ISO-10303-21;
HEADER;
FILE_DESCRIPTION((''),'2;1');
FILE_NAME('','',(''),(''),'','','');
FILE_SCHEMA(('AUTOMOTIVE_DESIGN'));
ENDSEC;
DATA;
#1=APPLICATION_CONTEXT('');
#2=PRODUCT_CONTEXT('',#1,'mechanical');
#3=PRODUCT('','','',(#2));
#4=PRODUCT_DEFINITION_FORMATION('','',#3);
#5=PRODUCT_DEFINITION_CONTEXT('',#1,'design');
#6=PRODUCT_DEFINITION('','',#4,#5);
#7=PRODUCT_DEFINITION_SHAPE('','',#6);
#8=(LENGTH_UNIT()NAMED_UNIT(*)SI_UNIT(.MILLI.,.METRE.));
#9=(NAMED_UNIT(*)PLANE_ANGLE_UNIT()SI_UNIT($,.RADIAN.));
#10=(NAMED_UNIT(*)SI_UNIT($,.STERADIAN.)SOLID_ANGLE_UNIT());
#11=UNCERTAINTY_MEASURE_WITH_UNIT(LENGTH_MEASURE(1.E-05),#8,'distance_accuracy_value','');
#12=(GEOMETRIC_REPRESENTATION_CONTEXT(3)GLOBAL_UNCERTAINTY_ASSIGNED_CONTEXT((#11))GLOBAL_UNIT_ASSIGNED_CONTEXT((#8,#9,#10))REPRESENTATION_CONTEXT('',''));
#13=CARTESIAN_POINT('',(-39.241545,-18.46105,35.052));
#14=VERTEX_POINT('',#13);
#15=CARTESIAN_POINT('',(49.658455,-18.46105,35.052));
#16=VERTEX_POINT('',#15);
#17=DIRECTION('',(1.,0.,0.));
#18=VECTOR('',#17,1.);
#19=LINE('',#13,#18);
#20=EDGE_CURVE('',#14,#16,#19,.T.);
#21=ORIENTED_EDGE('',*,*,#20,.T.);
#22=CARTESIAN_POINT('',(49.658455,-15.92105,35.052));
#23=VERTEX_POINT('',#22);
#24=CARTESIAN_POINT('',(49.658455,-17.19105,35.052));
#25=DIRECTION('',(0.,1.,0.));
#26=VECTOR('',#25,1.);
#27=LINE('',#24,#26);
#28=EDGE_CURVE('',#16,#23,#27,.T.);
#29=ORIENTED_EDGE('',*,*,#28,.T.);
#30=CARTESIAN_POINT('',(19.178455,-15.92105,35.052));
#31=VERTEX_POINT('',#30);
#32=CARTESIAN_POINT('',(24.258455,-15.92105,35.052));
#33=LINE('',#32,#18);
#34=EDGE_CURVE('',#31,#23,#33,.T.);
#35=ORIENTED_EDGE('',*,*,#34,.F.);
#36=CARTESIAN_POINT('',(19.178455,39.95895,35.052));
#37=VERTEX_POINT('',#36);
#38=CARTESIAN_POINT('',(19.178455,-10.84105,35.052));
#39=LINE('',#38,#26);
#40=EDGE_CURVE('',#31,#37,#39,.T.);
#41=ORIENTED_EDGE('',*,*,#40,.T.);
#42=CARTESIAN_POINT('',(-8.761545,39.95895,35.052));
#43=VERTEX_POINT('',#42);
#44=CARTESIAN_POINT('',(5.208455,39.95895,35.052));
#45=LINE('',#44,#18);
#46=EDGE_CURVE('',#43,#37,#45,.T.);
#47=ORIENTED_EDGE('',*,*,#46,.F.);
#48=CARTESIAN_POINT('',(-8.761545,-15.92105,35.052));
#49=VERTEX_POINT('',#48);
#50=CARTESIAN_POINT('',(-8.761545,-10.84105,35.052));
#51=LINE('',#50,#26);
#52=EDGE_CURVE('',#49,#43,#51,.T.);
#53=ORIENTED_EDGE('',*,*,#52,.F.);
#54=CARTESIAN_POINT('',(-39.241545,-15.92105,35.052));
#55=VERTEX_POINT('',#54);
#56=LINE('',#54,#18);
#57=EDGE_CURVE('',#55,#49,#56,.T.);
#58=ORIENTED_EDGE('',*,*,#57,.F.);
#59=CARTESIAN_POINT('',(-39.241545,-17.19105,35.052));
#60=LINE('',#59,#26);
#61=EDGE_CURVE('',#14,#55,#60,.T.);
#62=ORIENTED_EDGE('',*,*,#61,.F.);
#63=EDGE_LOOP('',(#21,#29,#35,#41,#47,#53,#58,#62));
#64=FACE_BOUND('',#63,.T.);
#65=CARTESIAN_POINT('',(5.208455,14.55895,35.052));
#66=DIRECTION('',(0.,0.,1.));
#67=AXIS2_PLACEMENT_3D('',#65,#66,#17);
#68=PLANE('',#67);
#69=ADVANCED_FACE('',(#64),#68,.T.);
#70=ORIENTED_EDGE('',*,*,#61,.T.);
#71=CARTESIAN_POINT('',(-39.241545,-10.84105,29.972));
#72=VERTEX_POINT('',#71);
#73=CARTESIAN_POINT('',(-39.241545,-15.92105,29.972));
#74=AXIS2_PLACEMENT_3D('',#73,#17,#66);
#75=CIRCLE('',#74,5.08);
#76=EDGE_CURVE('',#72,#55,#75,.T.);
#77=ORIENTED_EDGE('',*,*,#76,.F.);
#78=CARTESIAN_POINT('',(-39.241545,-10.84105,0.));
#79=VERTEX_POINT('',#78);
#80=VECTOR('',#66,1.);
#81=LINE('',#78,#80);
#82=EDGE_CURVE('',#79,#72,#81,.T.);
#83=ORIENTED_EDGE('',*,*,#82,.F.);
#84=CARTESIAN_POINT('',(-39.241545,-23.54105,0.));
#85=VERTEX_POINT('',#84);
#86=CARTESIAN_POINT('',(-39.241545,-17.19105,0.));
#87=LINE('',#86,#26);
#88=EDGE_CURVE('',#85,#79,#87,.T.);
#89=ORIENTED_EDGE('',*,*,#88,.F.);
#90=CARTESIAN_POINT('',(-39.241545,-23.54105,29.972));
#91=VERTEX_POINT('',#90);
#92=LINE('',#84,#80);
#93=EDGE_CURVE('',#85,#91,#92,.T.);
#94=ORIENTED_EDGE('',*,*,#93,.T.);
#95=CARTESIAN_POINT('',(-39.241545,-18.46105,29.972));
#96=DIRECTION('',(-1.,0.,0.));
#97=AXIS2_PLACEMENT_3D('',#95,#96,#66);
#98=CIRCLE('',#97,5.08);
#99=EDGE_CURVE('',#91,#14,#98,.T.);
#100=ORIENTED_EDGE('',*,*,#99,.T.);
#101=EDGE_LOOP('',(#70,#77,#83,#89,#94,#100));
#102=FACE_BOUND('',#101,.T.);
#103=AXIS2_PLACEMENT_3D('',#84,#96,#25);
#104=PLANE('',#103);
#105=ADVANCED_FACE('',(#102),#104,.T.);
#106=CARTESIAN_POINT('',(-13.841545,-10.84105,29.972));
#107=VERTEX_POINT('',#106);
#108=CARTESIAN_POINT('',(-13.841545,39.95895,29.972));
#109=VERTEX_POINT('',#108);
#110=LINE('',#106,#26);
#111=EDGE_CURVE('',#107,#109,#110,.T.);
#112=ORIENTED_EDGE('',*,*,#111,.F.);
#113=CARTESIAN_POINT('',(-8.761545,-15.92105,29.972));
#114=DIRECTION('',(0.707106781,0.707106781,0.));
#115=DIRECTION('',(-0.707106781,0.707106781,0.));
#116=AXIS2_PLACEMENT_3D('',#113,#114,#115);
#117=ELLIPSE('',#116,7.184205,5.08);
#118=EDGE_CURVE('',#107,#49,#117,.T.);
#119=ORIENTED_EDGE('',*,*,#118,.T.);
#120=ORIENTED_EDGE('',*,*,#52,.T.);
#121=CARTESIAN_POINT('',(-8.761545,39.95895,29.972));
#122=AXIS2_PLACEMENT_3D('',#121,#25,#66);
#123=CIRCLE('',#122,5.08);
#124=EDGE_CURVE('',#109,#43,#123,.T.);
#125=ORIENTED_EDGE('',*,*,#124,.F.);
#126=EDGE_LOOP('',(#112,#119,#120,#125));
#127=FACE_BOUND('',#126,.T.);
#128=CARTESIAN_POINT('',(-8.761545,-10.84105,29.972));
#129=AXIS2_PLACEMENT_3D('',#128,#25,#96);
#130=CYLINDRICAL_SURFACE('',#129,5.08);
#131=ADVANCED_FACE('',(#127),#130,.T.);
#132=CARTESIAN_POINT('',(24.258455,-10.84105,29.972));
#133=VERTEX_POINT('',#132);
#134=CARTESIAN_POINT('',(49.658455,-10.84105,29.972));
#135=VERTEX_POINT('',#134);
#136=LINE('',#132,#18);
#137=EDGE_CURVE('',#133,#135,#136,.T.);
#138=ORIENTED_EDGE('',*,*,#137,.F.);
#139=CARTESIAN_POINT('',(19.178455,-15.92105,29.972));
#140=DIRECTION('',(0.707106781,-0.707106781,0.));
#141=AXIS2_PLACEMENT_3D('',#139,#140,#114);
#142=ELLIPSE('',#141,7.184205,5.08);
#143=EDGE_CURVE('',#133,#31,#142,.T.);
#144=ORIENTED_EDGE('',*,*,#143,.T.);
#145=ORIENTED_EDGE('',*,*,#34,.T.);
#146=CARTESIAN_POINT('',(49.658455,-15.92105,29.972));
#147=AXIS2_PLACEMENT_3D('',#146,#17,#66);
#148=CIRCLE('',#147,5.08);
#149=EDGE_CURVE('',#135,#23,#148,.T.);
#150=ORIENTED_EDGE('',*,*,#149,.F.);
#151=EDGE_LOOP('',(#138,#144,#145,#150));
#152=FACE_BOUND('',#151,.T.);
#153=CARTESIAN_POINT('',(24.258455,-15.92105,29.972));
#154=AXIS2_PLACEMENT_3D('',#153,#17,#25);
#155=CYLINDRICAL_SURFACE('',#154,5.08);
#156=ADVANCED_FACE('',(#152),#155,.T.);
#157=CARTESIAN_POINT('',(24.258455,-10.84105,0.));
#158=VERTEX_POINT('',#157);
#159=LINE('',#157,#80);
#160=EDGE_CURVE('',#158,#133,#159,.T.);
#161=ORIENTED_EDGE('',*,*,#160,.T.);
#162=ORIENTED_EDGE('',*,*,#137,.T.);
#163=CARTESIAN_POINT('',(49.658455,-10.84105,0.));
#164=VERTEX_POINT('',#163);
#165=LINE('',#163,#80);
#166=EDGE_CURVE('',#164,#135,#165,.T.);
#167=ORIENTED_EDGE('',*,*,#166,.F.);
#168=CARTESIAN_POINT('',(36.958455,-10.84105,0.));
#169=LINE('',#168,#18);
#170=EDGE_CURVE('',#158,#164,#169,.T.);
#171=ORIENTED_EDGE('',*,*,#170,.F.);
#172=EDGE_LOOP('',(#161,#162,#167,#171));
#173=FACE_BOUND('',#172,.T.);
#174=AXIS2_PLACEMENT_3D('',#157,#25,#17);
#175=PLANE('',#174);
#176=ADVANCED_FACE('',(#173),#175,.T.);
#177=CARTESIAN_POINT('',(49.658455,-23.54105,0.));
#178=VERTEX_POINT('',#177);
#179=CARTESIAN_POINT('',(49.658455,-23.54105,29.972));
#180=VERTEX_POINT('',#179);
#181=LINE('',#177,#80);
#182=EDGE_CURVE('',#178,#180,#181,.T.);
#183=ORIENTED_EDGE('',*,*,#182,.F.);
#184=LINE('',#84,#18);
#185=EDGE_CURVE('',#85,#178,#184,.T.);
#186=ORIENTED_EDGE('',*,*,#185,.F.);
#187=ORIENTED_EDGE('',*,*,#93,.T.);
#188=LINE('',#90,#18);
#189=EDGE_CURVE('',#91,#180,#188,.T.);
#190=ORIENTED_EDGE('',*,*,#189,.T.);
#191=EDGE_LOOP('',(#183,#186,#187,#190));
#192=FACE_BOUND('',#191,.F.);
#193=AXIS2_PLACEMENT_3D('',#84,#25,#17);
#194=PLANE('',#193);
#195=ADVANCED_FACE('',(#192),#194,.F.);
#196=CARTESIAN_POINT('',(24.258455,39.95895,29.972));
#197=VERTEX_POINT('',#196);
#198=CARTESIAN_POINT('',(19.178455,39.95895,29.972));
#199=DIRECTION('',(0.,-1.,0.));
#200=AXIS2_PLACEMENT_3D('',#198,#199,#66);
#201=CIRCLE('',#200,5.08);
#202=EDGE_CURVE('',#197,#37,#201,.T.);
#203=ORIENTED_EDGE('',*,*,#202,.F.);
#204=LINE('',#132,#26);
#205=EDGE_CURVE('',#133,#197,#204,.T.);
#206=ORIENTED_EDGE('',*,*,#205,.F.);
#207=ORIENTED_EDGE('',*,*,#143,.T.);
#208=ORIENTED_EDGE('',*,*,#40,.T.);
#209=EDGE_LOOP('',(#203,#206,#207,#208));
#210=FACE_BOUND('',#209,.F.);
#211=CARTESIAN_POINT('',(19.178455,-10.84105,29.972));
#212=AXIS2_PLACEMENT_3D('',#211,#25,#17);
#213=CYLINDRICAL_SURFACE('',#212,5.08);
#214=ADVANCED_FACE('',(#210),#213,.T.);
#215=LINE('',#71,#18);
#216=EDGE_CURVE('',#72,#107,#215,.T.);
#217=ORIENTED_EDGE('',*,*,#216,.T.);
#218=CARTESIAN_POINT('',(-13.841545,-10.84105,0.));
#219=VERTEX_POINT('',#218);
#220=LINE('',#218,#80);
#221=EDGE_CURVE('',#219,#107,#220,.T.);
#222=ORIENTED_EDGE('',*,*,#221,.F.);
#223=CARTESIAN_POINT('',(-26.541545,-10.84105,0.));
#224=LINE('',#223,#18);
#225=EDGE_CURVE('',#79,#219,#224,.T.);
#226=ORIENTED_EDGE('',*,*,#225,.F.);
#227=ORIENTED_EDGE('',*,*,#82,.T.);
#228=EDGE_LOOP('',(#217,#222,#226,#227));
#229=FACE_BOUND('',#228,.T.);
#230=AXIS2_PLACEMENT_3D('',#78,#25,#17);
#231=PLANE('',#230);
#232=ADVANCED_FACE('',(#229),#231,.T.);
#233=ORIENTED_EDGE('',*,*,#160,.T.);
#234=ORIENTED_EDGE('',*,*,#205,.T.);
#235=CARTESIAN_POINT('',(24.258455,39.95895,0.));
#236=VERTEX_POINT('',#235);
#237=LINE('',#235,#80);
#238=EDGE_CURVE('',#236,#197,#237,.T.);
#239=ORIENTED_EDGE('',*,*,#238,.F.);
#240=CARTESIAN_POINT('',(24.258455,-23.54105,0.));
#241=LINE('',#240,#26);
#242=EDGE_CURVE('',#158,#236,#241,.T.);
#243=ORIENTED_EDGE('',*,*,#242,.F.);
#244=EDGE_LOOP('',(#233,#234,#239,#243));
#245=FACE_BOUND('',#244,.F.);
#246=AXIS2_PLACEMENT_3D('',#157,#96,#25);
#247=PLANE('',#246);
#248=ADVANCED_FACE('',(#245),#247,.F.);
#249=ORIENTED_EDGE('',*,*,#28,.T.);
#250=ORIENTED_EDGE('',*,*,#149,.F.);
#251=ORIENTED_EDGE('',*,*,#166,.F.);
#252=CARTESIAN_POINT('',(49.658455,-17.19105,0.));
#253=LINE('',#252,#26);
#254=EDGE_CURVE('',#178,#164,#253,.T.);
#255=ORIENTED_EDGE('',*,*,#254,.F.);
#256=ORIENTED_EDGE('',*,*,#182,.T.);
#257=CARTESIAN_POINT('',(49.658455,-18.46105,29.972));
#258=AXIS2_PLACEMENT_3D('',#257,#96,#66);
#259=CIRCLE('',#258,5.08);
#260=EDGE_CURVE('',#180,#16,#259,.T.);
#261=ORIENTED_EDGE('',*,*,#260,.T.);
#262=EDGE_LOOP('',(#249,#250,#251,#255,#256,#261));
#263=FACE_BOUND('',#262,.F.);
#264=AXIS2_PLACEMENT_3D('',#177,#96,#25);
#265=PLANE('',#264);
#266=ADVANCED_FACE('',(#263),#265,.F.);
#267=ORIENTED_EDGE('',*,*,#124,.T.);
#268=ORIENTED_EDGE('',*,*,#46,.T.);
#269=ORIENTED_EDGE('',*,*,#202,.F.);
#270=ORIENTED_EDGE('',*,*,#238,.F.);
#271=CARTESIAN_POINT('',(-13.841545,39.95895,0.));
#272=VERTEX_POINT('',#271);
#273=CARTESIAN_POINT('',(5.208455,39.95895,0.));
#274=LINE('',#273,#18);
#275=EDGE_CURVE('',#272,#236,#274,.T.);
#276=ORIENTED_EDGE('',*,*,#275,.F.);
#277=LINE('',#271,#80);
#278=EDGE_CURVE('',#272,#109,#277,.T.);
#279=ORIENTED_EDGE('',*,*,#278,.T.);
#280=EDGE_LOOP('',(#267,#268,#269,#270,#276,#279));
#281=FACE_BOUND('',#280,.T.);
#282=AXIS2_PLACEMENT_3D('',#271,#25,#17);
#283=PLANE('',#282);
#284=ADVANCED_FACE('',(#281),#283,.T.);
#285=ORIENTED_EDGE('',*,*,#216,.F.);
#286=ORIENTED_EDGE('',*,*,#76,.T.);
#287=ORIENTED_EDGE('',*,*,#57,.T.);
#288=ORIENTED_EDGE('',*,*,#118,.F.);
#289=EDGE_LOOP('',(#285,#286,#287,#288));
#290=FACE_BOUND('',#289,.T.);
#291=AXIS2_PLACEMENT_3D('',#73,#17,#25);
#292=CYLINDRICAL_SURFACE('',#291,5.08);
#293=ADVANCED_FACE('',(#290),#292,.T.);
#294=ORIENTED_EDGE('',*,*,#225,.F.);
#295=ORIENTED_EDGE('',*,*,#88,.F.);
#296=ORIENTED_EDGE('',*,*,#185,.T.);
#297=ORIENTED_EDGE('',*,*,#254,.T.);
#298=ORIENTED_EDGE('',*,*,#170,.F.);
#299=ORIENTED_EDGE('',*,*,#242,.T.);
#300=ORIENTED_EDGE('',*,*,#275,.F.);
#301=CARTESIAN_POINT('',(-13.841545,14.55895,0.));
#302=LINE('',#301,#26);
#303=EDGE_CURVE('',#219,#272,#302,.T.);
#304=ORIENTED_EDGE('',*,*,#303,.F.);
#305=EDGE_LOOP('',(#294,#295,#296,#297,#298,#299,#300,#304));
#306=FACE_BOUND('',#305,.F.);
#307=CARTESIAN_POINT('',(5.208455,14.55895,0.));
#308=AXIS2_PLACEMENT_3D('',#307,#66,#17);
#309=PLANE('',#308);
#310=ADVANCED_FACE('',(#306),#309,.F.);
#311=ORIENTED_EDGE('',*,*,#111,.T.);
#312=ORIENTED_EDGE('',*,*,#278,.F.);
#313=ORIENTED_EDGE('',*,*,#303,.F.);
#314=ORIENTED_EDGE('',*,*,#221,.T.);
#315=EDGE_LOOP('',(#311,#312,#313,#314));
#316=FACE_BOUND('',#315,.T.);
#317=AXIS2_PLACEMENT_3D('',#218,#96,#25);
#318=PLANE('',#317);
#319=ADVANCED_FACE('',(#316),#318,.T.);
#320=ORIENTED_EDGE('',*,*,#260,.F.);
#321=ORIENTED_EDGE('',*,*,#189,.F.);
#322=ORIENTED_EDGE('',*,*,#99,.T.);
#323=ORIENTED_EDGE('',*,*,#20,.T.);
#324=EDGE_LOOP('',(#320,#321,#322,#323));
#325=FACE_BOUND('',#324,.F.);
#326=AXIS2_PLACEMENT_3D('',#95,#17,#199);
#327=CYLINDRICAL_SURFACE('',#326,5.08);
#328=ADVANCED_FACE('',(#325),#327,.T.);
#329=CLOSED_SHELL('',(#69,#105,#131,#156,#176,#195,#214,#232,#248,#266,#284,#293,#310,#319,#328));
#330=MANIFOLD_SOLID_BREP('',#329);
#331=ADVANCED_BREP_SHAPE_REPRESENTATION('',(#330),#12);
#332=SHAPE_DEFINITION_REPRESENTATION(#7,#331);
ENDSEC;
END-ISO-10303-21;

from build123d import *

# Parameters (mm, degrees)
F0_W     = 38.1
F0_H     = 50.8
F0_W_2   = 25.4
F0_H_2   = 12.7
F1_DEPTH = 35.052
F2_R     = 5.08


with BuildPart() as f1:
    # F0 (on Top) → F1 (new body)
    with BuildSketch(Plane.XY):
        with Locations((5.208455, 14.55895)):
            Rectangle(F0_W, F0_H)
        with Locations((-26.541545, -17.19105)):
            Rectangle(F0_W_2, F0_H_2)
        with Locations((5.208455, -17.19105)):
            Rectangle(F0_W, F0_H_2)
        with Locations((36.958455, -17.19105)):
            Rectangle(F0_W_2, F0_H_2)
    extrude(amount=F1_DEPTH)

    # F2
    f2_edges = [f1.edges().sort_by_distance(p)[0] for p in [
        (24.258455, 14.55895, 35.052),
        (-13.841545, 14.55895, 35.052),
        (-26.541545, -10.84105, 35.052),
        (36.958455, -10.84105, 35.052),
        (5.208455, -23.54105, 35.052),
    ]]
    fillet(f2_edges, radius=F2_R)


solid = f1.part
